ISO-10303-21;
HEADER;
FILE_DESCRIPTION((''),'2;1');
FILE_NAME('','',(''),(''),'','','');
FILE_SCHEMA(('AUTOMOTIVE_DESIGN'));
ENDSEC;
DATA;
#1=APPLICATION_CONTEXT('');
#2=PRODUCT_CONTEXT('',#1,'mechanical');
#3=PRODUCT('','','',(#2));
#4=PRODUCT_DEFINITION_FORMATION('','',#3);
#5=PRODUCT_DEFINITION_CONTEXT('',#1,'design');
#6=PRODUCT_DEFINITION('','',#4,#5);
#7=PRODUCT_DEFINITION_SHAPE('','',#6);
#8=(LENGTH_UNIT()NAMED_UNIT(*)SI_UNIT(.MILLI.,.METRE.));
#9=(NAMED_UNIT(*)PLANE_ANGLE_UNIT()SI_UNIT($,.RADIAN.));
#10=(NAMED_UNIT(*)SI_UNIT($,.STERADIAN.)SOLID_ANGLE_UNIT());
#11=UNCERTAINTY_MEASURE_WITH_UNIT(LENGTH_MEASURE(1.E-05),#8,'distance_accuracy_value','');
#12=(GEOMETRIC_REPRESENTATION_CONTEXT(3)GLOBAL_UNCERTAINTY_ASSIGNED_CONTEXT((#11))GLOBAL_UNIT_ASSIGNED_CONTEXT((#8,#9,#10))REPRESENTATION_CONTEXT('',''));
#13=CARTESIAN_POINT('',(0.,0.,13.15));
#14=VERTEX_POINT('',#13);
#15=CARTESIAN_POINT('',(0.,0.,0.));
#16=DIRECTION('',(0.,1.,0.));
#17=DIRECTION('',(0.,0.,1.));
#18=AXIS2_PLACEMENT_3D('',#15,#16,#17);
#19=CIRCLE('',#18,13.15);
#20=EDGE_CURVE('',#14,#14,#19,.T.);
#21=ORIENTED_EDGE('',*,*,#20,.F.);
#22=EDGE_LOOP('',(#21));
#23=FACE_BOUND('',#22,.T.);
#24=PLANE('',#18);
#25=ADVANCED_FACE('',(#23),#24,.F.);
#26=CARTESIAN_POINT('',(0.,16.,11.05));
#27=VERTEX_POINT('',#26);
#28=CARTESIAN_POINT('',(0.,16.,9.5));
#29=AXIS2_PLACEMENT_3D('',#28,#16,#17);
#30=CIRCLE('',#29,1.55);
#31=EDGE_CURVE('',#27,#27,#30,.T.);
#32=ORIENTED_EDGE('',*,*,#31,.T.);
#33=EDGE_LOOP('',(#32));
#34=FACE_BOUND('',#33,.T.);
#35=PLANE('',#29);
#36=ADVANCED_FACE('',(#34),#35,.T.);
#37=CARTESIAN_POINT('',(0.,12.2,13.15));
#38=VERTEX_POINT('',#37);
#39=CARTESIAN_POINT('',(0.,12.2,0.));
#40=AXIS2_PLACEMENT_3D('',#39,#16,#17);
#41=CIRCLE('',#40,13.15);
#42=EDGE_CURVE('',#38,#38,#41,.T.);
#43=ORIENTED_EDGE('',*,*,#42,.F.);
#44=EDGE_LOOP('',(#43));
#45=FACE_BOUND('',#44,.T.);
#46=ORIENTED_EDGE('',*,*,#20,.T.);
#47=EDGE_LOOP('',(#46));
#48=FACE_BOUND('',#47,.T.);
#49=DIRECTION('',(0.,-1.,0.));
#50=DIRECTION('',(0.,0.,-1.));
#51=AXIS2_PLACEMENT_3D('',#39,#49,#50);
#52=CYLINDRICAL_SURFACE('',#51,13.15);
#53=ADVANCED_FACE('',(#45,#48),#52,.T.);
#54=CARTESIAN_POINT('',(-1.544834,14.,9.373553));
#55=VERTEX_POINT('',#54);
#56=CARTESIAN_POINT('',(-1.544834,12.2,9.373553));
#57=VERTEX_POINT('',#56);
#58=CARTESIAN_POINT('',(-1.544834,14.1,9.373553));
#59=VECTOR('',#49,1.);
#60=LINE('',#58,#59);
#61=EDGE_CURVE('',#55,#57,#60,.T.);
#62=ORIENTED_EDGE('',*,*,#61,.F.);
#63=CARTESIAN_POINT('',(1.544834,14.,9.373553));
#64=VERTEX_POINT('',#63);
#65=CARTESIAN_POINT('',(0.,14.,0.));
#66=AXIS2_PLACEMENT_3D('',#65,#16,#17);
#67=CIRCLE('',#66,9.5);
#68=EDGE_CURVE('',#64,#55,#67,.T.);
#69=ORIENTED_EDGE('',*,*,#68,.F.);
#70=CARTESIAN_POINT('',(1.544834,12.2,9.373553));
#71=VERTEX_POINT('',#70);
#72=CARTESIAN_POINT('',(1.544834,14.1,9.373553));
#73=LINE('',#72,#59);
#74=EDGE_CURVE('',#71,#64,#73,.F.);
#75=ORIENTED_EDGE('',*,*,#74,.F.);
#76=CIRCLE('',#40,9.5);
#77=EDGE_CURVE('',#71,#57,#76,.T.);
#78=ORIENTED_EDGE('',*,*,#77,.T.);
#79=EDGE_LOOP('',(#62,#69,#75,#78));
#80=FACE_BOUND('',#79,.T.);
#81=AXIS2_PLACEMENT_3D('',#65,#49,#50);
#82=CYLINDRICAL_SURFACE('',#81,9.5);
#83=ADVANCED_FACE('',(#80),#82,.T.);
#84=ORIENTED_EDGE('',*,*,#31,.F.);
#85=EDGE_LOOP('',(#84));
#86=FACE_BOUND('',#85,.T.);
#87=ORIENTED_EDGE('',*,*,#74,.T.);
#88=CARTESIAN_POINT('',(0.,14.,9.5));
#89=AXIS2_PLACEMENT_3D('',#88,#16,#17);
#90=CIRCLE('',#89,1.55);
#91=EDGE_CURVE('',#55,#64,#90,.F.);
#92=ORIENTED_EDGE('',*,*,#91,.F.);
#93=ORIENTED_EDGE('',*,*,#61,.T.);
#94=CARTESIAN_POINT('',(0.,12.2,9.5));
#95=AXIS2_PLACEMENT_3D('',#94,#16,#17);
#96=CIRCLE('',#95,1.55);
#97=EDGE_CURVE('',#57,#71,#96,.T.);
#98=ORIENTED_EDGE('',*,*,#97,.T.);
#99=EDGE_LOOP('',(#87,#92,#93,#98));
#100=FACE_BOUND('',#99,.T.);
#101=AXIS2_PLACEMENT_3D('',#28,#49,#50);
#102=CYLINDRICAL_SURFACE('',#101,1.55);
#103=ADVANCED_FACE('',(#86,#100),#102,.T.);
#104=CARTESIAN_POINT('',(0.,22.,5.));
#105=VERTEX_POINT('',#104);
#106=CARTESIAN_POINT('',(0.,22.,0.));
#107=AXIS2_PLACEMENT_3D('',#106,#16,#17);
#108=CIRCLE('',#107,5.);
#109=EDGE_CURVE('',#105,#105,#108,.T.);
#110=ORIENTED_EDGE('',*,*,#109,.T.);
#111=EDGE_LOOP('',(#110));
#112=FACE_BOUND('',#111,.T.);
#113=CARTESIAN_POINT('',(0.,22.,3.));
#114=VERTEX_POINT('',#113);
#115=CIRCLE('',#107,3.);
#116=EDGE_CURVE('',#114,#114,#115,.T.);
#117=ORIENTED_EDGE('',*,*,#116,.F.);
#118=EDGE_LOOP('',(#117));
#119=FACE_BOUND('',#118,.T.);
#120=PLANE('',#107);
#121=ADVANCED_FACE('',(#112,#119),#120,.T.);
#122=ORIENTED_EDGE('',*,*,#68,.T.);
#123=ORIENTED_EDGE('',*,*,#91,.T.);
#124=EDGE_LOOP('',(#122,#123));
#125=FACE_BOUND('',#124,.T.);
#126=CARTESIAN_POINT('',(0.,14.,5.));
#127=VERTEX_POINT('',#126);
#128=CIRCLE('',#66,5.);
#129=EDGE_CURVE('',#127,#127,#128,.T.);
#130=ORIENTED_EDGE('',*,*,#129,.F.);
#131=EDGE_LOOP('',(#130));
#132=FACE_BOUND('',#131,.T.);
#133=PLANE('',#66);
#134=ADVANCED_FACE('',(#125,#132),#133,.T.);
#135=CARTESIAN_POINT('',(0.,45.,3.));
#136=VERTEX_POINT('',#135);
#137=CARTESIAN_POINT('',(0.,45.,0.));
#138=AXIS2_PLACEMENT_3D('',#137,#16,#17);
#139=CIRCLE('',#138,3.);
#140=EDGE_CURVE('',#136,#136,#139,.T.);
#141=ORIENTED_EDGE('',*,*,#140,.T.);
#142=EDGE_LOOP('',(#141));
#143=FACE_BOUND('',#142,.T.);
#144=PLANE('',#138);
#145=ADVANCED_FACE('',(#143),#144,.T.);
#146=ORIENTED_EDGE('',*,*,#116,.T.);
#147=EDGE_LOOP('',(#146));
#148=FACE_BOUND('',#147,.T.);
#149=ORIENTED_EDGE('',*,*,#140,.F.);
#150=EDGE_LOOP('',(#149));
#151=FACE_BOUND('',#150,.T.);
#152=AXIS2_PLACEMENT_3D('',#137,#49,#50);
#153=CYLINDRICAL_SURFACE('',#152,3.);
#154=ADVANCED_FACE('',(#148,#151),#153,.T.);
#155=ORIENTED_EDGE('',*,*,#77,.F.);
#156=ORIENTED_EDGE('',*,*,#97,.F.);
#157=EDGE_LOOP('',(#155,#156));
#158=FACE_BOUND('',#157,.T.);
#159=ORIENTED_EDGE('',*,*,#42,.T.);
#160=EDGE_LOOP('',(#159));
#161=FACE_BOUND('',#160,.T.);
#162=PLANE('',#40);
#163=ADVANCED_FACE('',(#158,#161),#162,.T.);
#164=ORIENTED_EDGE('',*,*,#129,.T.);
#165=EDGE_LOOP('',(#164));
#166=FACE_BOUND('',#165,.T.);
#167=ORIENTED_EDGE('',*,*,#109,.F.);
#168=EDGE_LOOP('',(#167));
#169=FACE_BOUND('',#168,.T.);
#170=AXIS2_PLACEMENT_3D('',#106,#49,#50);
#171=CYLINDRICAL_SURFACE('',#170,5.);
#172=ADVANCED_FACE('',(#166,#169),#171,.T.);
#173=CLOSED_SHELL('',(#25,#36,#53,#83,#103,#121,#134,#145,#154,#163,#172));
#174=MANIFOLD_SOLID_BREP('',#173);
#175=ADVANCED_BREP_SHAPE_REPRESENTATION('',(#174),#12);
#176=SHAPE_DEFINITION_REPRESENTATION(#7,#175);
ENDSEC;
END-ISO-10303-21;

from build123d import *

# Parameters (mm, degrees)
SKETCH1_R           = 13.15
BOSS_EXTRUDE1_DEPTH = 12.2
SKETCH2_R           = 9.5
BOSS_EXTRUDE2_DEPTH = 1.8
SKETCH3_R           = 5
BOSS_EXTRUDE3_DEPTH = 8
SKETCH4_R           = 3
BOSS_EXTRUDE4_DEPTH = 23
SKETCH5_R           = 1.55
BOSS_EXTRUDE5_DEPTH = 3.8


with BuildPart() as part:
    # Sketch1 → Boss-Extrude1 (new body)
    with BuildSketch(Plane(origin=(0, 0, 0), x_dir=(1, 0, 0), z_dir=(0, 1, 0))):
        Circle(SKETCH1_R)
    extrude(amount=BOSS_EXTRUDE1_DEPTH)

    # Sketch2 → Boss-Extrude2 (add)
    with BuildSketch(Plane(origin=(0, 12.2, 0), x_dir=(1, 0, 0), z_dir=(0, 1, 0))):
        Circle(SKETCH2_R)
    extrude(amount=BOSS_EXTRUDE2_DEPTH)

    # Sketch3 → Boss-Extrude3 (add)
    with BuildSketch(Plane(origin=(0, 14, 0), x_dir=(1, 0, 0), z_dir=(0, 1, 0))):
        Circle(SKETCH3_R)
    extrude(amount=BOSS_EXTRUDE3_DEPTH)

    # Sketch4 → Boss-Extrude4 (add)
    with BuildSketch(Plane(origin=(0, 22, 0), x_dir=(1, 0, 0), z_dir=(0, 1, 0))):
        Circle(SKETCH4_R)
    extrude(amount=BOSS_EXTRUDE4_DEPTH)

    # Sketch5 → Boss-Extrude5 (add)
    with BuildSketch(Plane(origin=(0, 12.2, 0), x_dir=(1, 0, 0), z_dir=(0, 1, 0))):
        with Locations((0, -9.5)):
            Circle(SKETCH5_R)
    extrude(amount=BOSS_EXTRUDE5_DEPTH)


solid = part.part
